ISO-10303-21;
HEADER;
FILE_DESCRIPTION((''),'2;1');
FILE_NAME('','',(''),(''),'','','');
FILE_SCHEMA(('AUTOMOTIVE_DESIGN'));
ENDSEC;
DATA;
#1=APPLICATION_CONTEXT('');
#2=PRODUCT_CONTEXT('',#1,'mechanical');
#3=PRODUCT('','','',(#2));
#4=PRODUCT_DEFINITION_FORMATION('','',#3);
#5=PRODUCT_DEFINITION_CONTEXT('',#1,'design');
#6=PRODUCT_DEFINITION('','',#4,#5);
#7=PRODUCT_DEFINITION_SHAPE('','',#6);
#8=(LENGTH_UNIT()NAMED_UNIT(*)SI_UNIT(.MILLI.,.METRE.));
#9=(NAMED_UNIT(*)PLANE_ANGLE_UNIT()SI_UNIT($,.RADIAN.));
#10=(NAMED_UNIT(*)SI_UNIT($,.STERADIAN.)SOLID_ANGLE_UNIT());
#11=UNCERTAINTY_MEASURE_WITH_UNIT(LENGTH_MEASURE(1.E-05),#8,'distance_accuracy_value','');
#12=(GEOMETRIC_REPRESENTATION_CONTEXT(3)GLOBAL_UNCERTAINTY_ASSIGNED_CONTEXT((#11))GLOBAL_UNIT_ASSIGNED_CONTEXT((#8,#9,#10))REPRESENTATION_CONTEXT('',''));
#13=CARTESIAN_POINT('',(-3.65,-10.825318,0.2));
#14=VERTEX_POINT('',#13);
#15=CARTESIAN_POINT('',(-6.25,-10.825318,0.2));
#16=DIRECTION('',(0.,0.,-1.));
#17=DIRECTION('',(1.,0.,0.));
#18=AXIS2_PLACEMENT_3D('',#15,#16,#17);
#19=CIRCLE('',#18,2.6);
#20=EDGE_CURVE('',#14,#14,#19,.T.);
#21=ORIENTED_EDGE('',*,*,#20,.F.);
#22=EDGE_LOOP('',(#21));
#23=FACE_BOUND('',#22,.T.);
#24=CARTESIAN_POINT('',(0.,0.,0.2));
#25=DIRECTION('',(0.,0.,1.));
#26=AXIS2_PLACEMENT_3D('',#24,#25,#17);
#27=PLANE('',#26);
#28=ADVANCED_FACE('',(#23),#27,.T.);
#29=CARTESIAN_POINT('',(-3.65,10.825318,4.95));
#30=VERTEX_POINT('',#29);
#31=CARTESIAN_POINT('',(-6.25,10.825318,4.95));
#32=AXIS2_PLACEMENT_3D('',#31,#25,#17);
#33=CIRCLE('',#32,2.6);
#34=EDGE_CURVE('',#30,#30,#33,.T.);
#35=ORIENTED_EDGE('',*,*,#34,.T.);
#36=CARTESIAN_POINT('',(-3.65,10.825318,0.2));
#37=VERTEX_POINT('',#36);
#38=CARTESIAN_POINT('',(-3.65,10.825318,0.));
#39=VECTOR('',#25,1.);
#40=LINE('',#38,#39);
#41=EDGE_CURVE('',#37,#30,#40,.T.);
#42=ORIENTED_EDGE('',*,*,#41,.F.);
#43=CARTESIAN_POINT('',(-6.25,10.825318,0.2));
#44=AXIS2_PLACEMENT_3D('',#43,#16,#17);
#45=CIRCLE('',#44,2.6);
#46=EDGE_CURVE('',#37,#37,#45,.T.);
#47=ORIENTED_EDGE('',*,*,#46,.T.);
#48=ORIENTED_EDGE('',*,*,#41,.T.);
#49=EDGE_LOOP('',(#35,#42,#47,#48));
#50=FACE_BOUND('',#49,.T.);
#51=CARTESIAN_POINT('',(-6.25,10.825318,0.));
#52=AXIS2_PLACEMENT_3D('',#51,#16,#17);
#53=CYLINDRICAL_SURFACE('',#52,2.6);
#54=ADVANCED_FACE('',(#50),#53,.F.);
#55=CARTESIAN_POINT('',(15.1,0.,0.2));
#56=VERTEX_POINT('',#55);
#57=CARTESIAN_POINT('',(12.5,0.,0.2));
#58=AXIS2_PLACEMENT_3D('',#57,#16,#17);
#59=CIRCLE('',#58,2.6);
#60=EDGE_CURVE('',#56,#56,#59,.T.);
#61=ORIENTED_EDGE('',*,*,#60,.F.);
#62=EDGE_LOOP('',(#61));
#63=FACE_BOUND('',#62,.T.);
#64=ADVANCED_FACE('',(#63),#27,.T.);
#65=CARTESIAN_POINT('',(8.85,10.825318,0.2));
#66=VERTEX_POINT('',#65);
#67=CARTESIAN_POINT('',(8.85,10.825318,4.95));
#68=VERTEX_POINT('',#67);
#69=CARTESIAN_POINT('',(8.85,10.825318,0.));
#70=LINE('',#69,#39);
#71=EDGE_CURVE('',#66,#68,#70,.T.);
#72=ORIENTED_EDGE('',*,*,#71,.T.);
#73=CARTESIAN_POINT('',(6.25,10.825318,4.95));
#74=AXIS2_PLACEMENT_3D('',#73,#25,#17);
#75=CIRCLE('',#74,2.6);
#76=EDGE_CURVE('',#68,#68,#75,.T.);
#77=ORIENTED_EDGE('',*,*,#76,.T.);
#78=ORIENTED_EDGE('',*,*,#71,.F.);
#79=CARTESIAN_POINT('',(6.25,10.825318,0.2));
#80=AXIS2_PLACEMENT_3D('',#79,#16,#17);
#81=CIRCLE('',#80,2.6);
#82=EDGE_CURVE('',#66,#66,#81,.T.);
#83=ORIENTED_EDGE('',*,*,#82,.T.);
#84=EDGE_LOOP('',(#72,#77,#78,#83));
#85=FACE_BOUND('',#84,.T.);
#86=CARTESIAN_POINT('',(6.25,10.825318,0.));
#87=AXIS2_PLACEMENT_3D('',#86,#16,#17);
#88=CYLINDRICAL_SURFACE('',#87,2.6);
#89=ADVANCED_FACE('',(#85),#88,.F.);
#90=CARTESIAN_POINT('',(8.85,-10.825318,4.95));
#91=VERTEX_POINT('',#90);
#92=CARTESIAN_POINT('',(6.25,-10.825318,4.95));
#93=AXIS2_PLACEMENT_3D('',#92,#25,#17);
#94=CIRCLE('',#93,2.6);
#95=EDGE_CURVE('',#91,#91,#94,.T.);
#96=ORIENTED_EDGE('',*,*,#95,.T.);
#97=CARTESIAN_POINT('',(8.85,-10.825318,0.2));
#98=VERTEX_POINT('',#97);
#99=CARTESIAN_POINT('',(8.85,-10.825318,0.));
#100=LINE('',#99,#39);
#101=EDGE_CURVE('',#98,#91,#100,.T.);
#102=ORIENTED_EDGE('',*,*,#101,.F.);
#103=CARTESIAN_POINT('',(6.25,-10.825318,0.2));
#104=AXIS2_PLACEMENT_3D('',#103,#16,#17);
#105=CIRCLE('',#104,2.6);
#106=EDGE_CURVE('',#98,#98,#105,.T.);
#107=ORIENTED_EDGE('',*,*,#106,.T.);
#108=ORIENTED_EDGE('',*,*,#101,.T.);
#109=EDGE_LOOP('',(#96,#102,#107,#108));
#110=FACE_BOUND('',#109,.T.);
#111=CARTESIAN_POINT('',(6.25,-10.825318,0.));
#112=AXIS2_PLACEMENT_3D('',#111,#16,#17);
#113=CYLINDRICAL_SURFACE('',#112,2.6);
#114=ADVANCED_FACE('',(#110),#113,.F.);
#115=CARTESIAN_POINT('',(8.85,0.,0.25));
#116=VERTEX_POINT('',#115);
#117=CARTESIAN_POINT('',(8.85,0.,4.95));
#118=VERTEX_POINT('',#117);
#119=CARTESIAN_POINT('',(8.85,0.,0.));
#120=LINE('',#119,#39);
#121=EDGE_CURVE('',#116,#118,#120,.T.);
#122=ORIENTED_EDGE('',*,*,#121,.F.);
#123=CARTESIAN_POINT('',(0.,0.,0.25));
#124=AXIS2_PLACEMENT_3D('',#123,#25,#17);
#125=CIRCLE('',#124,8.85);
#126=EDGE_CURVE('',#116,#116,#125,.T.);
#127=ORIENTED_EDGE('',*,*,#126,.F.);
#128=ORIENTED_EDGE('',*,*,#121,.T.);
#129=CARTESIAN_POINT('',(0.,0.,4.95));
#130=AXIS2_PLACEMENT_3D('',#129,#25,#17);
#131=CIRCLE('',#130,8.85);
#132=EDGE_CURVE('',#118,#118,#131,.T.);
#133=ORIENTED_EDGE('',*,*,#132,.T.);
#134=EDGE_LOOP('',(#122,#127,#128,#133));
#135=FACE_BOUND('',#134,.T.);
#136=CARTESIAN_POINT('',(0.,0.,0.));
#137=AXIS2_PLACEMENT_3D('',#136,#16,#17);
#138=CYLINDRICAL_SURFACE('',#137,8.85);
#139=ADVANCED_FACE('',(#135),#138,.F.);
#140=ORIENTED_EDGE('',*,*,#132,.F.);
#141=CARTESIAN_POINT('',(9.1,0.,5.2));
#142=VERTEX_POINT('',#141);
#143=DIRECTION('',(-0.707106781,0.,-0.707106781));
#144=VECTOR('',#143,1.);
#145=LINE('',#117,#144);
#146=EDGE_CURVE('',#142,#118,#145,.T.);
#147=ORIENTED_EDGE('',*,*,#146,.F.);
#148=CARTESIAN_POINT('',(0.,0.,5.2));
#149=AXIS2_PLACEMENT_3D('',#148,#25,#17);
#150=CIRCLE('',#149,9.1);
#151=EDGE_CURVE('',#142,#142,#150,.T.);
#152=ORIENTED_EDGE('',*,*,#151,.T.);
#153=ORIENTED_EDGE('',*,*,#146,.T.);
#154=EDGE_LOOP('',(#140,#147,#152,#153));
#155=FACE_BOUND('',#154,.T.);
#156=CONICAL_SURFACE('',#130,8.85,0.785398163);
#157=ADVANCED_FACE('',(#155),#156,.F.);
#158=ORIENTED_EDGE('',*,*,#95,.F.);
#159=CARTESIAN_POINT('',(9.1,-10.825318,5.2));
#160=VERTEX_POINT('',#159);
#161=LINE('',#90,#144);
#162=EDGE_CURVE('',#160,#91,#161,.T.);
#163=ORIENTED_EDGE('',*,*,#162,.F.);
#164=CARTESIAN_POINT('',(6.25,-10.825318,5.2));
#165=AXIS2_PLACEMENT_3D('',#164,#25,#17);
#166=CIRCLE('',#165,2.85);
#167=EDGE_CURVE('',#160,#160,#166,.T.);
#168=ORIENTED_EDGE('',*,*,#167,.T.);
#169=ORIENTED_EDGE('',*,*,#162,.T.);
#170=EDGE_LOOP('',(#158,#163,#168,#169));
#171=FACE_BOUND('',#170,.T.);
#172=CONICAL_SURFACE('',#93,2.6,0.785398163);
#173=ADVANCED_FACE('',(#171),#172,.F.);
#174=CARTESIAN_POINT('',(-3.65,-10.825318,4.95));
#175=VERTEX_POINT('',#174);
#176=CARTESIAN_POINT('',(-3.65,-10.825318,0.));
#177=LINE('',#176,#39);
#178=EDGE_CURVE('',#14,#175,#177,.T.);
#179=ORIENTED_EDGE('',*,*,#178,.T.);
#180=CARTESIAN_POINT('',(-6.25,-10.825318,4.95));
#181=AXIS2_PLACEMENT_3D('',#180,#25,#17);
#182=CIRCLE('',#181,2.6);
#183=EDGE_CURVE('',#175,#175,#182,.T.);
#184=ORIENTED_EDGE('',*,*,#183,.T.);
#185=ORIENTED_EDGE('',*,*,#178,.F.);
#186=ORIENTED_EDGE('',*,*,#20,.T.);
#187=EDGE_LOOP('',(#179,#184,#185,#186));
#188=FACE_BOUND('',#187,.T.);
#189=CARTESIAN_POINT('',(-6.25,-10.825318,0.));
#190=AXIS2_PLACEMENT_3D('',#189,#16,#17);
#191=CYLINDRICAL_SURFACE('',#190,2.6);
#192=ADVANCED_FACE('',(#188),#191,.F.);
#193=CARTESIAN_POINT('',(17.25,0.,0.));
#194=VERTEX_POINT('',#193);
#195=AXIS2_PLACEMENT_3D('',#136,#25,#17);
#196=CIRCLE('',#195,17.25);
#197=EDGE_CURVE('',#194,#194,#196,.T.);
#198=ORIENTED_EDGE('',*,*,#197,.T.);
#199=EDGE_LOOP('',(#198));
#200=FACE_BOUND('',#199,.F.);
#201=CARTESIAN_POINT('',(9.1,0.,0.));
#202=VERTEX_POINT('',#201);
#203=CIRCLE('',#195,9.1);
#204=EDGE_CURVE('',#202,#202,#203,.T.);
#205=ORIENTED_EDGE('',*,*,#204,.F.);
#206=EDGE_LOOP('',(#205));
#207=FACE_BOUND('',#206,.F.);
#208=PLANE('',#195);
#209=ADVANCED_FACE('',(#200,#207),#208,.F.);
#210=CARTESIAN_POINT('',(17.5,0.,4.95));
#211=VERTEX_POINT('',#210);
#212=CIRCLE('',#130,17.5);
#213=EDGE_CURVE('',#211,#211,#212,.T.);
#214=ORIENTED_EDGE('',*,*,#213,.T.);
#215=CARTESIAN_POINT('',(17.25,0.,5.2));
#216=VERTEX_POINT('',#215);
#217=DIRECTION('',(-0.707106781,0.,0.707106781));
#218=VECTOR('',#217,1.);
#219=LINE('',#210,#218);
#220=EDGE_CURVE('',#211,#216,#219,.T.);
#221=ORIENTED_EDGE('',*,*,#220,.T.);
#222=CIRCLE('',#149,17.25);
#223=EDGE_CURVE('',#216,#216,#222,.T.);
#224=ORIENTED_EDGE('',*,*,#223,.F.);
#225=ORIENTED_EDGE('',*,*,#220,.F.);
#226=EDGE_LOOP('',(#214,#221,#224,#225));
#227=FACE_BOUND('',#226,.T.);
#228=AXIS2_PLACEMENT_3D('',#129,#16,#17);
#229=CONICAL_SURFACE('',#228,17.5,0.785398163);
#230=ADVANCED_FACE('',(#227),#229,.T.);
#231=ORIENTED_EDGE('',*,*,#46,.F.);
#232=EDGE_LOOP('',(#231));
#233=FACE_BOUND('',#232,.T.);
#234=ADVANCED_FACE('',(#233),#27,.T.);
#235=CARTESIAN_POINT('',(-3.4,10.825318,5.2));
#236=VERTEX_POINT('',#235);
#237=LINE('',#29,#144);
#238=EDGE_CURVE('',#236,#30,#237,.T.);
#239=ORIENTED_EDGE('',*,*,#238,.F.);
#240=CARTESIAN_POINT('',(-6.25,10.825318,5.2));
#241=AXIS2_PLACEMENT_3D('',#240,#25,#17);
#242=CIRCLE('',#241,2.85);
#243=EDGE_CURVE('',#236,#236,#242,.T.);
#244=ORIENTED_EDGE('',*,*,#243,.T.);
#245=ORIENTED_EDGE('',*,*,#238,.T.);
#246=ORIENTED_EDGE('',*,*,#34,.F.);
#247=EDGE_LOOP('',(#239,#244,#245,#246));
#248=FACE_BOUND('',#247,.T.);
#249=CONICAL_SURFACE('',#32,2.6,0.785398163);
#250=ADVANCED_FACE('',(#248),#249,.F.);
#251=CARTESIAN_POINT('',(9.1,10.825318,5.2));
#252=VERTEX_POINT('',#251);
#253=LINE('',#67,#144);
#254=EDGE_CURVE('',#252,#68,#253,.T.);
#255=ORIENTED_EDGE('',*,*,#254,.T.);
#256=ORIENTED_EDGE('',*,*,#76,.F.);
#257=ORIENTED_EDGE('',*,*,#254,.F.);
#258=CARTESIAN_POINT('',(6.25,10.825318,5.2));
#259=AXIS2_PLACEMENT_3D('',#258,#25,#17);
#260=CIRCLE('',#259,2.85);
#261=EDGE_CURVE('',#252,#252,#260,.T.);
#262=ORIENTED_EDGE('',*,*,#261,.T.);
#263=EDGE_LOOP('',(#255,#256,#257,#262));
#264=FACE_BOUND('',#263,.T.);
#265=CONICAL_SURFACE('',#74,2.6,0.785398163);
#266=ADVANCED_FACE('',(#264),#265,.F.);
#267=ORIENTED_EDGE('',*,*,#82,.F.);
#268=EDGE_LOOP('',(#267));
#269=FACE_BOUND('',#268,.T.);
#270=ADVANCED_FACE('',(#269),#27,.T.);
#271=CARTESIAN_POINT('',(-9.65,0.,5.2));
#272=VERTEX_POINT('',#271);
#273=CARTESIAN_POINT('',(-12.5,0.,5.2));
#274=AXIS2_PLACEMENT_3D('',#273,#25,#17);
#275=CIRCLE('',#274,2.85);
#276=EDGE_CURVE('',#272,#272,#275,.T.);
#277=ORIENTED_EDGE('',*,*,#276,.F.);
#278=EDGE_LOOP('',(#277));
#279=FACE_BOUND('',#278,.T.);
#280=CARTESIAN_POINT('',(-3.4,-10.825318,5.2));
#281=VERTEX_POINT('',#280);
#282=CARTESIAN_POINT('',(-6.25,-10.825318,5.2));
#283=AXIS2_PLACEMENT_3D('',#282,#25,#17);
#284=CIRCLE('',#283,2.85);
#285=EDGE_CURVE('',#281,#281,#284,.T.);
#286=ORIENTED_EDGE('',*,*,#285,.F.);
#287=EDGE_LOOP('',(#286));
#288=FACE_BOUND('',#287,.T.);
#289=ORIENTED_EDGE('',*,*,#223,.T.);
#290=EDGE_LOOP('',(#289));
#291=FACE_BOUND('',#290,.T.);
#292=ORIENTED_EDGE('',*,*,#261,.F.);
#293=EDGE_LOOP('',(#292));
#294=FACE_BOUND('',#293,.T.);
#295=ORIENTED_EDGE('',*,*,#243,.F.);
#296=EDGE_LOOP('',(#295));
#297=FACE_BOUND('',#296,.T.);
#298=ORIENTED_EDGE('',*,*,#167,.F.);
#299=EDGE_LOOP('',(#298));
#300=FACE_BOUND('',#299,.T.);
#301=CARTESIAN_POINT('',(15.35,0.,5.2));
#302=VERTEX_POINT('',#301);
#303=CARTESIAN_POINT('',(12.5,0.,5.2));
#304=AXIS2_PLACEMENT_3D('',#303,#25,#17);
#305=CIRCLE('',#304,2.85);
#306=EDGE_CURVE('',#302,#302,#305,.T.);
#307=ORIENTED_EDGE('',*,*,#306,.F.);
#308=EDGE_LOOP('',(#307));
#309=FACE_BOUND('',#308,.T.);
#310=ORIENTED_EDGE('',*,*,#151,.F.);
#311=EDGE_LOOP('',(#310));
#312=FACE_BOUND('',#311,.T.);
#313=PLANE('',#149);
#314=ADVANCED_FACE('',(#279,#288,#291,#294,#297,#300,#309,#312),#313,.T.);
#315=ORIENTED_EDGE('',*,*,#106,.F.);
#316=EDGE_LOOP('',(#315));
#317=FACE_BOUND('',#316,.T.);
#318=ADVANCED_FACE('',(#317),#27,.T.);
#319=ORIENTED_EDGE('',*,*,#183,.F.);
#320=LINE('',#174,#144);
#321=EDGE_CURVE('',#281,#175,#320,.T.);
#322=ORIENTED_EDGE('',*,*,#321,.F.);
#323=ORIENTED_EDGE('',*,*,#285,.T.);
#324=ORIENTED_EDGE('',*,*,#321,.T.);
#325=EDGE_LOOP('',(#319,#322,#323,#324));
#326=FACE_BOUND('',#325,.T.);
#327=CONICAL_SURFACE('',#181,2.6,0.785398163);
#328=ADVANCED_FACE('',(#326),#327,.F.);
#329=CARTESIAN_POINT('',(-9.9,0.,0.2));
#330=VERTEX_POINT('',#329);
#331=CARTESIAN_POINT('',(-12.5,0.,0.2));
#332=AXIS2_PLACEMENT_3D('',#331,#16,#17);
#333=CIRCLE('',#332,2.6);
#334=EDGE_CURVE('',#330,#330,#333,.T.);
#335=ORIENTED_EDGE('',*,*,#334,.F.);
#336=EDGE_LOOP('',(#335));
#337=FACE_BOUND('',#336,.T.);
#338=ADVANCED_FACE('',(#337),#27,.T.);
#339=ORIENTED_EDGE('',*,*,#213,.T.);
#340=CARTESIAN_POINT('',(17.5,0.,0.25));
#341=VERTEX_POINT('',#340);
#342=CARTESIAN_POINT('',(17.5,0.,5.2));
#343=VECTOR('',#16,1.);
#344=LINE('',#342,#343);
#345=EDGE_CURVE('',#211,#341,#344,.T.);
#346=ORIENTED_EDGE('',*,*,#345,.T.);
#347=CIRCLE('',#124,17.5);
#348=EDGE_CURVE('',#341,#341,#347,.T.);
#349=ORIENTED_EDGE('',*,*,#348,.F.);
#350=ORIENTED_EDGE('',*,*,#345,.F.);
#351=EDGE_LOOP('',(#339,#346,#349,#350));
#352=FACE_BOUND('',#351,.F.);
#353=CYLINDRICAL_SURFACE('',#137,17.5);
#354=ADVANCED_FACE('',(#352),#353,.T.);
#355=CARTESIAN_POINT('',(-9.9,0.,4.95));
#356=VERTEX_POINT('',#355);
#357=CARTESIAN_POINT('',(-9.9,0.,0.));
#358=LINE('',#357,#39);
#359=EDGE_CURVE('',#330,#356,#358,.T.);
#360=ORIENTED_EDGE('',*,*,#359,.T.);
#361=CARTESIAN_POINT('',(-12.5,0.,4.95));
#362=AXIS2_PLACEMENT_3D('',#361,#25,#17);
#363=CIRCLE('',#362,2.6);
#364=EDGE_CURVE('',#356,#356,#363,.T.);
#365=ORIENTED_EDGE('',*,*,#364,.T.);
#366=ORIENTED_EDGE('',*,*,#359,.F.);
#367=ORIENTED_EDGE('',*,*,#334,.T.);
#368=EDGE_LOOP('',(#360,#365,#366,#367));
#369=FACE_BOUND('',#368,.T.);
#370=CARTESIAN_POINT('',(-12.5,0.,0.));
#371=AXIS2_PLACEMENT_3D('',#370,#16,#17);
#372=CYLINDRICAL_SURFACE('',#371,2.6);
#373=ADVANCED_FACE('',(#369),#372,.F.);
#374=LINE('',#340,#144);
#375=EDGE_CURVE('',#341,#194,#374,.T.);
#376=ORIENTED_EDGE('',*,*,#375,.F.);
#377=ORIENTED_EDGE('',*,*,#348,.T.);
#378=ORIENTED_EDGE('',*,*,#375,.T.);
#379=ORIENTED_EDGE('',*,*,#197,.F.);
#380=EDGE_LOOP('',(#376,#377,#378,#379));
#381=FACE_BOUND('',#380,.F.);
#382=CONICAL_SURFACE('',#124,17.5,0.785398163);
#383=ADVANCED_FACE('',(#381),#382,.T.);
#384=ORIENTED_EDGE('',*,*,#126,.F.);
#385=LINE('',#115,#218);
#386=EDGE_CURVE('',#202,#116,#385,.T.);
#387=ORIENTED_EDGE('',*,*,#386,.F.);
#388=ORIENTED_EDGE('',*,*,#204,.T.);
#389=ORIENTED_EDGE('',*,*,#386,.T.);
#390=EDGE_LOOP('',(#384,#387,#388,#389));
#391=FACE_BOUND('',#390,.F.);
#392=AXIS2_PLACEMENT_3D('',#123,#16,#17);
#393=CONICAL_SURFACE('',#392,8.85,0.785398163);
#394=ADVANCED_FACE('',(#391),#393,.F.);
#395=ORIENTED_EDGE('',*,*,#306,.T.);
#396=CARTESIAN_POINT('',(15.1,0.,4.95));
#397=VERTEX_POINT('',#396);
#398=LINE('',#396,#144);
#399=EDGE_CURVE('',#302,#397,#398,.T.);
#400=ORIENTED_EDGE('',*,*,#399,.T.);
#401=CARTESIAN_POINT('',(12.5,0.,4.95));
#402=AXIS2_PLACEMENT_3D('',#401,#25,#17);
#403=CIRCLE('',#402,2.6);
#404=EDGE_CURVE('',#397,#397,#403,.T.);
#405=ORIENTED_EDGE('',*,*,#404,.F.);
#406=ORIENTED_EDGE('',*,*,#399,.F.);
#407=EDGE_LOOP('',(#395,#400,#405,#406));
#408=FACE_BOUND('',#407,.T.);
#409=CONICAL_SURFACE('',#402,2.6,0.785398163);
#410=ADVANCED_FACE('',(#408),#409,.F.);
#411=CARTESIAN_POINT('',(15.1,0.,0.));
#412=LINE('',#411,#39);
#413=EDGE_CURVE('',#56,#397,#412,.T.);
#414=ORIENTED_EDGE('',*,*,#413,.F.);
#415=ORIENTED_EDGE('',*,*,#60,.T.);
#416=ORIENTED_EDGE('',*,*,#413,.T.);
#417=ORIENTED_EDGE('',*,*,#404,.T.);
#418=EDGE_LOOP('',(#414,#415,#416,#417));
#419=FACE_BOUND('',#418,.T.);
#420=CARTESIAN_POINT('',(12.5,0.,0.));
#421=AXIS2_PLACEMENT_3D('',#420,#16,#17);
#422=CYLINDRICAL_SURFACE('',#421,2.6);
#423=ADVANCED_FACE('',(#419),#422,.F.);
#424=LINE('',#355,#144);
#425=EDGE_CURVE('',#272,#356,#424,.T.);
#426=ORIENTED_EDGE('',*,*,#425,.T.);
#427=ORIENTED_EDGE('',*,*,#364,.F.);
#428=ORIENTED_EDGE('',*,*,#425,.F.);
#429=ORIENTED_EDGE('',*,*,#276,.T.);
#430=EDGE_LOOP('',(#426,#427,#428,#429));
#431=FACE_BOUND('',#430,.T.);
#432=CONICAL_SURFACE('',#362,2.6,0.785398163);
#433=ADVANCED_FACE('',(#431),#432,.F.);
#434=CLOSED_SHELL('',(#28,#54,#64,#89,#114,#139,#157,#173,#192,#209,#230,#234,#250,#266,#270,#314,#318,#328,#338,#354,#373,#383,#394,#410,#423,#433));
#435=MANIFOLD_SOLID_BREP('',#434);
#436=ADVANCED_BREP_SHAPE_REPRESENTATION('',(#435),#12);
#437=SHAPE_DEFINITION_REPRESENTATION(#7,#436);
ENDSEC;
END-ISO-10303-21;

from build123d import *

# Parameters (mm, degrees)
SKETCH_R        = 17.5
SKETCH_R_2      = 8.85
SKETCH_R_3      = 2.6
PAD_DEPTH       = 5.2
SKETCH001_R     = 17.5
SKETCH001_R_2   = 8.85
PAD001_DEPTH    = 0.2
CHAMFER_SIZE    = 0.25
CHAMFER001_SIZE = 0.25


with BuildPart() as part:
    # Sketch → Pad (new body)
    with BuildSketch(Plane.XY):
        Circle(SKETCH_R)
        Circle(SKETCH_R_2, mode=Mode.SUBTRACT)
        with Locations((12.5, 0)):
            Circle(SKETCH_R_3, mode=Mode.SUBTRACT)
        with Locations((-12.5, 0)):
            Circle(SKETCH_R_3, mode=Mode.SUBTRACT)
        with Locations((-6.25, 10.825318)):
            Circle(SKETCH_R_3, mode=Mode.SUBTRACT)
        with Locations((6.25, 10.825318)):
            Circle(SKETCH_R_3, mode=Mode.SUBTRACT)
        with Locations((-6.25, -10.825318)):
            Circle(SKETCH_R_3, mode=Mode.SUBTRACT)
        with Locations((6.25, -10.825318)):
            Circle(SKETCH_R_3, mode=Mode.SUBTRACT)
    extrude(amount=PAD_DEPTH)

    # Sketch001 → Pad001 (join)
    with BuildSketch(Plane.XY):
        Circle(SKETCH001_R)
        Circle(SKETCH001_R_2, mode=Mode.SUBTRACT)
    extrude(amount=PAD001_DEPTH)

    # Chamfer
    chamfer_edges = [part.edges().sort_by_distance(p)[0] for p in [
        (-17.5, 0, 5.2),
        (-8.85, 0, 5.2),
        (3.65, -10.825318, 5.2),
        (-8.85, 10.825318, 5.2),
        (-15.1, 0, 5.2),
        (9.9, 0, 5.2),
        (-8.85, -10.825318, 5.2),
        (3.65, 10.825318, 5.2),
    ]]
    chamfer(chamfer_edges, length=CHAMFER_SIZE)

    # Chamfer001
    chamfer001_edges = [part.edges().sort_by_distance(p)[0] for p in [
        (-17.5, 0, 0),
        (-8.85, 0, 0),
    ]]
    chamfer(chamfer001_edges, length=CHAMFER001_SIZE)


solid = part.part
